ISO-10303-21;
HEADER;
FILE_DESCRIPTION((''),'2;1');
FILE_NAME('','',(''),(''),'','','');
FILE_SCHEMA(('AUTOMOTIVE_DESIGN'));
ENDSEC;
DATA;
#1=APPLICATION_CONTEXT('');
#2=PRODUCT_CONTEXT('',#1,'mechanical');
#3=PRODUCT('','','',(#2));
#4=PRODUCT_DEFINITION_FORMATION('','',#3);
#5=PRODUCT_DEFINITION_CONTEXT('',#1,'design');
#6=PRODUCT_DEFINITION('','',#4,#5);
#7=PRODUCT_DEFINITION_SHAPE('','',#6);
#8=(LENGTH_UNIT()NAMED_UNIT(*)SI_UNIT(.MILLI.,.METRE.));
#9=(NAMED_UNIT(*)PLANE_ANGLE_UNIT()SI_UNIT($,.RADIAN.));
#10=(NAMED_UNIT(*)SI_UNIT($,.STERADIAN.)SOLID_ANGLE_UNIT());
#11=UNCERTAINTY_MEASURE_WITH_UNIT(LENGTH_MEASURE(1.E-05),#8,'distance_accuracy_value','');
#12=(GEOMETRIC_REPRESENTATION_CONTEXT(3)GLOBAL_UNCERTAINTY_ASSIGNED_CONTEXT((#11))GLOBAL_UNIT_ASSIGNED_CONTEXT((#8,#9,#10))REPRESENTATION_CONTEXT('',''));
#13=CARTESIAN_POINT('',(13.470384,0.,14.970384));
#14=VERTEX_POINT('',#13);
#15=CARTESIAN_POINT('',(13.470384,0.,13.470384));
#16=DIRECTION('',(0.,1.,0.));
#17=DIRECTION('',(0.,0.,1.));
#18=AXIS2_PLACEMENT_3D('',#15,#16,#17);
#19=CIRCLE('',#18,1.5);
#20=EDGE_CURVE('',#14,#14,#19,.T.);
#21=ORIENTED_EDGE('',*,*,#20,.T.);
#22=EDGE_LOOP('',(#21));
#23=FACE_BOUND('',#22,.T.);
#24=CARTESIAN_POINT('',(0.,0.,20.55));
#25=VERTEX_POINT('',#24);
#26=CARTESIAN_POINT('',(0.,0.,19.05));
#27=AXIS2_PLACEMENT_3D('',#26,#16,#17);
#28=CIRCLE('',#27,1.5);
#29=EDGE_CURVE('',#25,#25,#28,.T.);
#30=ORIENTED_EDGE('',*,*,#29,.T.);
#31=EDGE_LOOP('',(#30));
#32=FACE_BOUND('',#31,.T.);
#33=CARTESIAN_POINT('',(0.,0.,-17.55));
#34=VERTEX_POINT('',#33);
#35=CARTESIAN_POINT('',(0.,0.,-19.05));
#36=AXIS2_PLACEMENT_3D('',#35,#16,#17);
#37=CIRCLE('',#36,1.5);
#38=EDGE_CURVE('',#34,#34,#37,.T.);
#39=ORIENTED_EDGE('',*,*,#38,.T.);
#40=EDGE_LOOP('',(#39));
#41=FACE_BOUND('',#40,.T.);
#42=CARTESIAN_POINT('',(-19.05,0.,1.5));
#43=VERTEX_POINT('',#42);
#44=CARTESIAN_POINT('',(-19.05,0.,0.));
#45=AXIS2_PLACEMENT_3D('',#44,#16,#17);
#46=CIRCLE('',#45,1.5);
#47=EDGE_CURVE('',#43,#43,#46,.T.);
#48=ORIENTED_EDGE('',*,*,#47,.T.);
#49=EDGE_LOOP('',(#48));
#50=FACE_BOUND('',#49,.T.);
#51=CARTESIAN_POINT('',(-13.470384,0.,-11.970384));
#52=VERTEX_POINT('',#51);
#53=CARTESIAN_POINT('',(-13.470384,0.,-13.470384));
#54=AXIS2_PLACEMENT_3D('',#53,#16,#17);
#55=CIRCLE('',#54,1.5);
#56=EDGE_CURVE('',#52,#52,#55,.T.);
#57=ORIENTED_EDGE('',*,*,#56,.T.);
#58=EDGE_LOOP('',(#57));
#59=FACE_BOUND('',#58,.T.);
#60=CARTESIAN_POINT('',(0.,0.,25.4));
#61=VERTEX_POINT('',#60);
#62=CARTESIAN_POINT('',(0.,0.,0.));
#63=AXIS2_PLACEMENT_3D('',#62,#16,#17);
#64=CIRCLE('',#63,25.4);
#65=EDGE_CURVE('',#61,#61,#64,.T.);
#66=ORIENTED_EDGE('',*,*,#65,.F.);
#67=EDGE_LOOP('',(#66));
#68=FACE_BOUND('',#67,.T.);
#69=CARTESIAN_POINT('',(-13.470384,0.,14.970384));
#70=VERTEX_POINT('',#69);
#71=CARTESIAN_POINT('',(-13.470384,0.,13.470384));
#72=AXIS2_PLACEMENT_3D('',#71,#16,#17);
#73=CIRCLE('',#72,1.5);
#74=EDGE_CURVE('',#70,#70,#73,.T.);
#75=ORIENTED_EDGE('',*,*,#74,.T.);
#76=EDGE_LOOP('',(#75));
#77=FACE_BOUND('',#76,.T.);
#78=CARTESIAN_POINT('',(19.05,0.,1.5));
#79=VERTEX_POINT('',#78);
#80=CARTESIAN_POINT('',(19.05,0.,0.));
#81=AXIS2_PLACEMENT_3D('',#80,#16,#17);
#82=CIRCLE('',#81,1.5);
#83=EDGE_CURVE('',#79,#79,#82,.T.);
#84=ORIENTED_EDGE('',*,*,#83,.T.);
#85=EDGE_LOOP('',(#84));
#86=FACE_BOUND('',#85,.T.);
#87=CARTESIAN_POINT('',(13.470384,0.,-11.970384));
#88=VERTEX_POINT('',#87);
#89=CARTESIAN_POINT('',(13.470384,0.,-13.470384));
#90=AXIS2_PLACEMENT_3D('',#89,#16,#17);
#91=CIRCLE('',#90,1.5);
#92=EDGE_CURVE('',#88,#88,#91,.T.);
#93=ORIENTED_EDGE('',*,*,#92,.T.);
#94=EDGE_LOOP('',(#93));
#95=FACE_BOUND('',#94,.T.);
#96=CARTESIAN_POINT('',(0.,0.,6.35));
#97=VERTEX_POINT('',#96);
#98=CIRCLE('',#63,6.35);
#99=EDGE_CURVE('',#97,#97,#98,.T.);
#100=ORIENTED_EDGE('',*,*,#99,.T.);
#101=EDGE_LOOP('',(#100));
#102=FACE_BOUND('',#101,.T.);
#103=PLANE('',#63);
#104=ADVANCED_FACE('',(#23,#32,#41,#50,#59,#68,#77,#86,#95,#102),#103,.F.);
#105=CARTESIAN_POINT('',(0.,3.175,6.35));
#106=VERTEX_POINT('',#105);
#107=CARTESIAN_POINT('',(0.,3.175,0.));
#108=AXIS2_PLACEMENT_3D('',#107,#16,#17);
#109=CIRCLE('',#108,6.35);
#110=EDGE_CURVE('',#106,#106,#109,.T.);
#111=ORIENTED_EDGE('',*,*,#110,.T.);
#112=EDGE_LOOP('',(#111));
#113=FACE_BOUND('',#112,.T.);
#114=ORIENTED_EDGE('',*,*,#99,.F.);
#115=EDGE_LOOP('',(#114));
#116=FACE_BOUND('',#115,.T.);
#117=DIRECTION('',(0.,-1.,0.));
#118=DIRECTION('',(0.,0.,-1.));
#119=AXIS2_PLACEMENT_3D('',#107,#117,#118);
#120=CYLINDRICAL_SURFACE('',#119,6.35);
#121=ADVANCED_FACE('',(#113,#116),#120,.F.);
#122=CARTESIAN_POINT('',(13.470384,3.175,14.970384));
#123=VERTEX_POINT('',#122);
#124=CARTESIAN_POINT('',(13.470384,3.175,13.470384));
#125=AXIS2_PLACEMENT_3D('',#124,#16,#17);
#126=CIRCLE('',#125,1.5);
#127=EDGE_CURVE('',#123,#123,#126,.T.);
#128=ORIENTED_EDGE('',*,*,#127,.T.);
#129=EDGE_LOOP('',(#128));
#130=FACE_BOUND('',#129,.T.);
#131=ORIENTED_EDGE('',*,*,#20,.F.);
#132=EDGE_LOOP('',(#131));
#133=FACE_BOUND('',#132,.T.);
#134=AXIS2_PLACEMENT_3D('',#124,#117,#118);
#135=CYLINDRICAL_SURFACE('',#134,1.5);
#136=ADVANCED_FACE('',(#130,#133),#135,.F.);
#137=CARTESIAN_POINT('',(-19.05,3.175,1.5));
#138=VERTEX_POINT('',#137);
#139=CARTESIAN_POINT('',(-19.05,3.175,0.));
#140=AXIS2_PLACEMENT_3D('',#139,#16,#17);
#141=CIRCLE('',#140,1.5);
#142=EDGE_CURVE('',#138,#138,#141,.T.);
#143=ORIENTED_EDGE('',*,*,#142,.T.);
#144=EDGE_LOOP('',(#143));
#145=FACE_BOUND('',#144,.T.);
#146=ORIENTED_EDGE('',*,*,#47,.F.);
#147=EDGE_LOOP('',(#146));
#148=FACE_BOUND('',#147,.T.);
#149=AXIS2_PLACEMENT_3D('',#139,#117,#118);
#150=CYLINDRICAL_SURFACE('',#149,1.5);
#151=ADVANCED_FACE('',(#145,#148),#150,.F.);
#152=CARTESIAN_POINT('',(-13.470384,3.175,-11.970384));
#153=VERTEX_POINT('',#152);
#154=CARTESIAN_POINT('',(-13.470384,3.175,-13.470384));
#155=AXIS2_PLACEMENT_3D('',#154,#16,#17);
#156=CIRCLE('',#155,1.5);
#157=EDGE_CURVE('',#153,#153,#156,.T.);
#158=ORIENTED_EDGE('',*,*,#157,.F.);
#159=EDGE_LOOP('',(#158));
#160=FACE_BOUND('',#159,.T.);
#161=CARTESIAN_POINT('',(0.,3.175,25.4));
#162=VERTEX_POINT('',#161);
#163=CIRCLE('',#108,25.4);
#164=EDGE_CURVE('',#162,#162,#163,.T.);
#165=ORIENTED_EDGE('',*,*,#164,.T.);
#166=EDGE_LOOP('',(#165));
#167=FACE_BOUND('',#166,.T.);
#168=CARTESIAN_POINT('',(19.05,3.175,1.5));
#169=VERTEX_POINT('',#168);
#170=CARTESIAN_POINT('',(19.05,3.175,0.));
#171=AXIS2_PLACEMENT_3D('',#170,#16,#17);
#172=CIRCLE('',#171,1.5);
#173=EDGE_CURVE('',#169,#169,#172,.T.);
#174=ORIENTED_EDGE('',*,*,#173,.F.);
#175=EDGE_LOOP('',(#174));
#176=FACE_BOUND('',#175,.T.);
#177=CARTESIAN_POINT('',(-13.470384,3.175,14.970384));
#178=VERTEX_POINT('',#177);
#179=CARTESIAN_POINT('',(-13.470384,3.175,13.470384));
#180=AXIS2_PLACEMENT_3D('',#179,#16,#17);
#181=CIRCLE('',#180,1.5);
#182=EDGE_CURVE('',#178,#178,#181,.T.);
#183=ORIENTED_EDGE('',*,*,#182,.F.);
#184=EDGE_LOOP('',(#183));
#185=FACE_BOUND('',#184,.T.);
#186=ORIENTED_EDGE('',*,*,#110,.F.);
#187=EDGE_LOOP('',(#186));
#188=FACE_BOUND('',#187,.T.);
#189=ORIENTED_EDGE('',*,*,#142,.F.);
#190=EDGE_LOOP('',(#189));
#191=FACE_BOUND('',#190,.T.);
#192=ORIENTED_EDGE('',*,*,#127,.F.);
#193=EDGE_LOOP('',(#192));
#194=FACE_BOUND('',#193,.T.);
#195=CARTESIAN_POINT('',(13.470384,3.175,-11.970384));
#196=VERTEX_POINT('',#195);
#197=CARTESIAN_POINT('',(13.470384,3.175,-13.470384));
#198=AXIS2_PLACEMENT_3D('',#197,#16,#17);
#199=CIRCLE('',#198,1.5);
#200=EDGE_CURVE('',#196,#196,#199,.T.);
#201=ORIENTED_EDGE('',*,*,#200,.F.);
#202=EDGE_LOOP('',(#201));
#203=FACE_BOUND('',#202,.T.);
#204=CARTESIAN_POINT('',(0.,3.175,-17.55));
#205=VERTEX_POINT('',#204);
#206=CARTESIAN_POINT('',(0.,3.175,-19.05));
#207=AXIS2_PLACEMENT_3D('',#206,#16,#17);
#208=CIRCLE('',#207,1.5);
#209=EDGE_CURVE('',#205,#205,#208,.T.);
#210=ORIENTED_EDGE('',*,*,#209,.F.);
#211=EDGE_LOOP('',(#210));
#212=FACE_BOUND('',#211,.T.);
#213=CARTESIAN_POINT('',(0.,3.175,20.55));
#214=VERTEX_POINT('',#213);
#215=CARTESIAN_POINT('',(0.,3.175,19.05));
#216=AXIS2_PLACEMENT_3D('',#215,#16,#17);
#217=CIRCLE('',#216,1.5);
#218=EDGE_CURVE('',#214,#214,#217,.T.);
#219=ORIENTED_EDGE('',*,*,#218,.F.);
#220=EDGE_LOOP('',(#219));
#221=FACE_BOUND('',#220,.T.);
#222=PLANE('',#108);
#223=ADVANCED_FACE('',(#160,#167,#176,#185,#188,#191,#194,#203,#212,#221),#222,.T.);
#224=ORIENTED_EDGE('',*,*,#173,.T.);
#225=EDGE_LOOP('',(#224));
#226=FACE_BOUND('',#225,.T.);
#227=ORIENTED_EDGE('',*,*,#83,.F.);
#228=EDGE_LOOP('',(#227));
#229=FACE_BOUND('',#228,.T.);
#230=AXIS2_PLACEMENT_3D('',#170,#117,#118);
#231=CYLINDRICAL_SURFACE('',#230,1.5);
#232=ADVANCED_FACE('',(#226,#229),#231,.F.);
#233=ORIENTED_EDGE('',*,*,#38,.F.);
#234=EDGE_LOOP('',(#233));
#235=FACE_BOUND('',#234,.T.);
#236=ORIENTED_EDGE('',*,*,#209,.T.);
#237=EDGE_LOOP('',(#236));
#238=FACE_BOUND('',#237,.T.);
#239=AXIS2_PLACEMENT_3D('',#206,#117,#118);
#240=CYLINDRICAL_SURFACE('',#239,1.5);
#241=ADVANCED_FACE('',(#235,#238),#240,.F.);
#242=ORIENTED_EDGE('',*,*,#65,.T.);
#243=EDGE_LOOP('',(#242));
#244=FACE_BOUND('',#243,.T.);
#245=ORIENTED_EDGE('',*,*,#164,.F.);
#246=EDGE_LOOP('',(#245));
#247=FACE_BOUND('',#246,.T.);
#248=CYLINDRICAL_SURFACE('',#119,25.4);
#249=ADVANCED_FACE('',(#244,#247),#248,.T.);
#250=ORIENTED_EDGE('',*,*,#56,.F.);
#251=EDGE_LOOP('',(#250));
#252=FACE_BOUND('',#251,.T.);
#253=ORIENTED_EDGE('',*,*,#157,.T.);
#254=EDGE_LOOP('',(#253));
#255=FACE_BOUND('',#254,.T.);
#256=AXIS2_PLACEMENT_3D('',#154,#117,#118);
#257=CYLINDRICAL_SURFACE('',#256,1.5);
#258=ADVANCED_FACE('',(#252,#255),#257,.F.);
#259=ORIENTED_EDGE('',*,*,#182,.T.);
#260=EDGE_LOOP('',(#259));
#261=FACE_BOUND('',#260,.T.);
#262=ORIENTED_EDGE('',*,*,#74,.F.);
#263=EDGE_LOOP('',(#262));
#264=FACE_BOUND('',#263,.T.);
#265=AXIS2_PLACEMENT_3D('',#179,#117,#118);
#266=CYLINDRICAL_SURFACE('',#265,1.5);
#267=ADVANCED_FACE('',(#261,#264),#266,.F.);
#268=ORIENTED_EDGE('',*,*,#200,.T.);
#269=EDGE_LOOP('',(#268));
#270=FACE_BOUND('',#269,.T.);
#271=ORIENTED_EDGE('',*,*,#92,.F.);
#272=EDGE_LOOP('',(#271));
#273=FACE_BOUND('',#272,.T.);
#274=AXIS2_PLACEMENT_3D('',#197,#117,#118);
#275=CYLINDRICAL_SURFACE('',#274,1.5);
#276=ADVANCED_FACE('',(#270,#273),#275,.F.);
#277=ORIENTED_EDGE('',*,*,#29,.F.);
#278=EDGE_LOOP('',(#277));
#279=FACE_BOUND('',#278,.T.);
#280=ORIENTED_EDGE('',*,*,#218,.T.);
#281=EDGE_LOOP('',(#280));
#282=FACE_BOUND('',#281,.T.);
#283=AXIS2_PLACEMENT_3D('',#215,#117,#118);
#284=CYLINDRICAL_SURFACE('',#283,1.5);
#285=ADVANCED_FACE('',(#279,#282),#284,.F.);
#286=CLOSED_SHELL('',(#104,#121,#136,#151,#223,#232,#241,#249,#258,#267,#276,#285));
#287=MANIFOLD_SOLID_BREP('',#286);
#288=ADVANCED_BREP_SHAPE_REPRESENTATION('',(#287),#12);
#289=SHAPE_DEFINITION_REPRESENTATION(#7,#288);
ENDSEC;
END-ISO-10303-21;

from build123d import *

# Parameters (mm, degrees)
SKETCH1_R           = 25.4
SKETCH1_R_2         = 6.35
SKETCH1_R_3         = 1.500000048
BOSS_EXTRUDE1_DEPTH = 3.175


with BuildPart() as part:
    # Sketch1 → Boss-Extrude1 (new body)
    with BuildSketch(Plane(origin=(0, 0, 0), x_dir=(1, 0, 0), z_dir=(0, 1, 0))):
        Circle(SKETCH1_R)
        Circle(SKETCH1_R_2, mode=Mode.SUBTRACT)
        with Locations((0, 19.05)):
            Circle(SKETCH1_R_3, mode=Mode.SUBTRACT)
        with Locations((13.470384182, 13.470384182)):
            Circle(SKETCH1_R_3, mode=Mode.SUBTRACT)
        with Locations((19.05, 0)):
            Circle(SKETCH1_R_3, mode=Mode.SUBTRACT)
        with Locations((13.470384182, -13.470384182)):
            Circle(SKETCH1_R_3, mode=Mode.SUBTRACT)
        with Locations((0, -19.05)):
            Circle(SKETCH1_R_3, mode=Mode.SUBTRACT)
        with Locations((-13.470384182, -13.470384182)):
            Circle(SKETCH1_R_3, mode=Mode.SUBTRACT)
        with Locations((-19.05, 0)):
            Circle(SKETCH1_R_3, mode=Mode.SUBTRACT)
        with Locations((-13.470384182, 13.470384182)):
            Circle(SKETCH1_R_3, mode=Mode.SUBTRACT)
    extrude(amount=BOSS_EXTRUDE1_DEPTH)


solid = part.part
